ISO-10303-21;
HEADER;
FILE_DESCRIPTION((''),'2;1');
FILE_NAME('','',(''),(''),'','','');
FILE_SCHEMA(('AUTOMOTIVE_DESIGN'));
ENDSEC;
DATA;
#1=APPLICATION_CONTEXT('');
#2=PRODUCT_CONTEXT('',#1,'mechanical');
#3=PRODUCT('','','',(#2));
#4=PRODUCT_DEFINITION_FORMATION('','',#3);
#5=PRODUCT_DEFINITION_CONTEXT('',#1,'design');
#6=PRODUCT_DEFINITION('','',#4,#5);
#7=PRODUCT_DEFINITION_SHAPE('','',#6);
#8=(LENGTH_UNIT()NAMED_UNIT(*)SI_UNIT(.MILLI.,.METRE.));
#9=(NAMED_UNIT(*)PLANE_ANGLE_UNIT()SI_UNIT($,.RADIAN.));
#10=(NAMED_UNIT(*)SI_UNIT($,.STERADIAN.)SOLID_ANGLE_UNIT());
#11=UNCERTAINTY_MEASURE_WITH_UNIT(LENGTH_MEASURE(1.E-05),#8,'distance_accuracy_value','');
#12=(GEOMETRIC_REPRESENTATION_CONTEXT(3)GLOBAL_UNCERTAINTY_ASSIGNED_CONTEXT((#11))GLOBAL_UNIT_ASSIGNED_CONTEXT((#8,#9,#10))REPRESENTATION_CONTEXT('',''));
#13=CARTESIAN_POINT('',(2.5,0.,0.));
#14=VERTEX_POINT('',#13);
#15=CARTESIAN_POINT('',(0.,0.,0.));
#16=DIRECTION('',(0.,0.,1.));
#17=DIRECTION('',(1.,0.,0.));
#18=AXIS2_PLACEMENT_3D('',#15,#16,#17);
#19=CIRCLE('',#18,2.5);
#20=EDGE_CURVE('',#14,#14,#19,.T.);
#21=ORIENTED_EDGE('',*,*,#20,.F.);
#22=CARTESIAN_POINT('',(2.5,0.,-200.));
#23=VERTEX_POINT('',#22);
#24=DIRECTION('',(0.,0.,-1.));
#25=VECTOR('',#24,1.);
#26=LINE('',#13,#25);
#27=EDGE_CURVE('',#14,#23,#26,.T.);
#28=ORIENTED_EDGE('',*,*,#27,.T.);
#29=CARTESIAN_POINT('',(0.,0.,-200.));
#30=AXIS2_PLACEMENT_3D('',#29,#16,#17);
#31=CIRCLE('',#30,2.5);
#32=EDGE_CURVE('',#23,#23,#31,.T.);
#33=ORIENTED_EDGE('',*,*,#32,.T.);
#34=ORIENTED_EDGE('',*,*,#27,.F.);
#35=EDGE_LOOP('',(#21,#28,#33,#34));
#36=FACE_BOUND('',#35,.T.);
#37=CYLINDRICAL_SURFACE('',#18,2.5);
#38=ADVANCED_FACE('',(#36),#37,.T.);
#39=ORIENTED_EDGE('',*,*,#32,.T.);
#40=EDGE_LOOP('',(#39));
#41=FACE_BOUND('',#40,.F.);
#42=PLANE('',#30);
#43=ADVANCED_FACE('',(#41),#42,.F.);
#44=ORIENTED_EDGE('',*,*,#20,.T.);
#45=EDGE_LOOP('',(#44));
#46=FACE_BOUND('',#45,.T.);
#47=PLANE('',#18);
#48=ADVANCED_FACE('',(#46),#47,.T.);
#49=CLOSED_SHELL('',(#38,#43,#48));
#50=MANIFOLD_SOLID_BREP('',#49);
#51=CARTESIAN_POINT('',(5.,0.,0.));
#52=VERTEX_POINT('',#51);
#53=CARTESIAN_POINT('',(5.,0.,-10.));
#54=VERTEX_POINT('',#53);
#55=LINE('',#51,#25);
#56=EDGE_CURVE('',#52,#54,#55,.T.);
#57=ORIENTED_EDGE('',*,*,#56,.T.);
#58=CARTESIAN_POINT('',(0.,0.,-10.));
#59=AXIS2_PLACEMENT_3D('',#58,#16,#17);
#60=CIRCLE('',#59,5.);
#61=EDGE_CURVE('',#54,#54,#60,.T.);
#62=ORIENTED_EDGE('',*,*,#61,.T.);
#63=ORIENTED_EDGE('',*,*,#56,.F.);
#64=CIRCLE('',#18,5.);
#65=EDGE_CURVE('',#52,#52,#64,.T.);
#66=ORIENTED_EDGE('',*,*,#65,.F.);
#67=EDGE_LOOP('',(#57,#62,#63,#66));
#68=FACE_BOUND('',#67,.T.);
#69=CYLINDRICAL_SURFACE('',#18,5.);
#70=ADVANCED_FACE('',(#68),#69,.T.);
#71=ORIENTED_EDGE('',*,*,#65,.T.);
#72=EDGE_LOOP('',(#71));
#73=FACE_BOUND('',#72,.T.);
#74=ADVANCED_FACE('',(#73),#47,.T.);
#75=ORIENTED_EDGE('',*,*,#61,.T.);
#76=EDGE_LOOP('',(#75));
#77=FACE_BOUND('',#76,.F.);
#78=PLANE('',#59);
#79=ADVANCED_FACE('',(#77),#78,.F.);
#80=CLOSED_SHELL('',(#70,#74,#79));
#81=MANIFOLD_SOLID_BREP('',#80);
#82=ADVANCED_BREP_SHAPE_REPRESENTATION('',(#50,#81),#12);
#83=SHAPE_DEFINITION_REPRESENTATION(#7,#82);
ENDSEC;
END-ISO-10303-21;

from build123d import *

# Parameters (mm, degrees)
F1_R     = 5
F2_DEPTH = 10
F0_R     = 2.5
F3_DEPTH = 200


with BuildPart() as f2:
    # F1 (on Top) → F2 (new body)
    with BuildSketch(Plane.XY):
        Circle(F1_R)
    extrude(amount=-F2_DEPTH)


with BuildPart() as f3:
    # F0 (on Top) → F3 (new body)
    with BuildSketch(Plane.XY):
        Circle(F0_R)
    extrude(amount=-F3_DEPTH)


solid = Compound([f2.part, f3.part])
